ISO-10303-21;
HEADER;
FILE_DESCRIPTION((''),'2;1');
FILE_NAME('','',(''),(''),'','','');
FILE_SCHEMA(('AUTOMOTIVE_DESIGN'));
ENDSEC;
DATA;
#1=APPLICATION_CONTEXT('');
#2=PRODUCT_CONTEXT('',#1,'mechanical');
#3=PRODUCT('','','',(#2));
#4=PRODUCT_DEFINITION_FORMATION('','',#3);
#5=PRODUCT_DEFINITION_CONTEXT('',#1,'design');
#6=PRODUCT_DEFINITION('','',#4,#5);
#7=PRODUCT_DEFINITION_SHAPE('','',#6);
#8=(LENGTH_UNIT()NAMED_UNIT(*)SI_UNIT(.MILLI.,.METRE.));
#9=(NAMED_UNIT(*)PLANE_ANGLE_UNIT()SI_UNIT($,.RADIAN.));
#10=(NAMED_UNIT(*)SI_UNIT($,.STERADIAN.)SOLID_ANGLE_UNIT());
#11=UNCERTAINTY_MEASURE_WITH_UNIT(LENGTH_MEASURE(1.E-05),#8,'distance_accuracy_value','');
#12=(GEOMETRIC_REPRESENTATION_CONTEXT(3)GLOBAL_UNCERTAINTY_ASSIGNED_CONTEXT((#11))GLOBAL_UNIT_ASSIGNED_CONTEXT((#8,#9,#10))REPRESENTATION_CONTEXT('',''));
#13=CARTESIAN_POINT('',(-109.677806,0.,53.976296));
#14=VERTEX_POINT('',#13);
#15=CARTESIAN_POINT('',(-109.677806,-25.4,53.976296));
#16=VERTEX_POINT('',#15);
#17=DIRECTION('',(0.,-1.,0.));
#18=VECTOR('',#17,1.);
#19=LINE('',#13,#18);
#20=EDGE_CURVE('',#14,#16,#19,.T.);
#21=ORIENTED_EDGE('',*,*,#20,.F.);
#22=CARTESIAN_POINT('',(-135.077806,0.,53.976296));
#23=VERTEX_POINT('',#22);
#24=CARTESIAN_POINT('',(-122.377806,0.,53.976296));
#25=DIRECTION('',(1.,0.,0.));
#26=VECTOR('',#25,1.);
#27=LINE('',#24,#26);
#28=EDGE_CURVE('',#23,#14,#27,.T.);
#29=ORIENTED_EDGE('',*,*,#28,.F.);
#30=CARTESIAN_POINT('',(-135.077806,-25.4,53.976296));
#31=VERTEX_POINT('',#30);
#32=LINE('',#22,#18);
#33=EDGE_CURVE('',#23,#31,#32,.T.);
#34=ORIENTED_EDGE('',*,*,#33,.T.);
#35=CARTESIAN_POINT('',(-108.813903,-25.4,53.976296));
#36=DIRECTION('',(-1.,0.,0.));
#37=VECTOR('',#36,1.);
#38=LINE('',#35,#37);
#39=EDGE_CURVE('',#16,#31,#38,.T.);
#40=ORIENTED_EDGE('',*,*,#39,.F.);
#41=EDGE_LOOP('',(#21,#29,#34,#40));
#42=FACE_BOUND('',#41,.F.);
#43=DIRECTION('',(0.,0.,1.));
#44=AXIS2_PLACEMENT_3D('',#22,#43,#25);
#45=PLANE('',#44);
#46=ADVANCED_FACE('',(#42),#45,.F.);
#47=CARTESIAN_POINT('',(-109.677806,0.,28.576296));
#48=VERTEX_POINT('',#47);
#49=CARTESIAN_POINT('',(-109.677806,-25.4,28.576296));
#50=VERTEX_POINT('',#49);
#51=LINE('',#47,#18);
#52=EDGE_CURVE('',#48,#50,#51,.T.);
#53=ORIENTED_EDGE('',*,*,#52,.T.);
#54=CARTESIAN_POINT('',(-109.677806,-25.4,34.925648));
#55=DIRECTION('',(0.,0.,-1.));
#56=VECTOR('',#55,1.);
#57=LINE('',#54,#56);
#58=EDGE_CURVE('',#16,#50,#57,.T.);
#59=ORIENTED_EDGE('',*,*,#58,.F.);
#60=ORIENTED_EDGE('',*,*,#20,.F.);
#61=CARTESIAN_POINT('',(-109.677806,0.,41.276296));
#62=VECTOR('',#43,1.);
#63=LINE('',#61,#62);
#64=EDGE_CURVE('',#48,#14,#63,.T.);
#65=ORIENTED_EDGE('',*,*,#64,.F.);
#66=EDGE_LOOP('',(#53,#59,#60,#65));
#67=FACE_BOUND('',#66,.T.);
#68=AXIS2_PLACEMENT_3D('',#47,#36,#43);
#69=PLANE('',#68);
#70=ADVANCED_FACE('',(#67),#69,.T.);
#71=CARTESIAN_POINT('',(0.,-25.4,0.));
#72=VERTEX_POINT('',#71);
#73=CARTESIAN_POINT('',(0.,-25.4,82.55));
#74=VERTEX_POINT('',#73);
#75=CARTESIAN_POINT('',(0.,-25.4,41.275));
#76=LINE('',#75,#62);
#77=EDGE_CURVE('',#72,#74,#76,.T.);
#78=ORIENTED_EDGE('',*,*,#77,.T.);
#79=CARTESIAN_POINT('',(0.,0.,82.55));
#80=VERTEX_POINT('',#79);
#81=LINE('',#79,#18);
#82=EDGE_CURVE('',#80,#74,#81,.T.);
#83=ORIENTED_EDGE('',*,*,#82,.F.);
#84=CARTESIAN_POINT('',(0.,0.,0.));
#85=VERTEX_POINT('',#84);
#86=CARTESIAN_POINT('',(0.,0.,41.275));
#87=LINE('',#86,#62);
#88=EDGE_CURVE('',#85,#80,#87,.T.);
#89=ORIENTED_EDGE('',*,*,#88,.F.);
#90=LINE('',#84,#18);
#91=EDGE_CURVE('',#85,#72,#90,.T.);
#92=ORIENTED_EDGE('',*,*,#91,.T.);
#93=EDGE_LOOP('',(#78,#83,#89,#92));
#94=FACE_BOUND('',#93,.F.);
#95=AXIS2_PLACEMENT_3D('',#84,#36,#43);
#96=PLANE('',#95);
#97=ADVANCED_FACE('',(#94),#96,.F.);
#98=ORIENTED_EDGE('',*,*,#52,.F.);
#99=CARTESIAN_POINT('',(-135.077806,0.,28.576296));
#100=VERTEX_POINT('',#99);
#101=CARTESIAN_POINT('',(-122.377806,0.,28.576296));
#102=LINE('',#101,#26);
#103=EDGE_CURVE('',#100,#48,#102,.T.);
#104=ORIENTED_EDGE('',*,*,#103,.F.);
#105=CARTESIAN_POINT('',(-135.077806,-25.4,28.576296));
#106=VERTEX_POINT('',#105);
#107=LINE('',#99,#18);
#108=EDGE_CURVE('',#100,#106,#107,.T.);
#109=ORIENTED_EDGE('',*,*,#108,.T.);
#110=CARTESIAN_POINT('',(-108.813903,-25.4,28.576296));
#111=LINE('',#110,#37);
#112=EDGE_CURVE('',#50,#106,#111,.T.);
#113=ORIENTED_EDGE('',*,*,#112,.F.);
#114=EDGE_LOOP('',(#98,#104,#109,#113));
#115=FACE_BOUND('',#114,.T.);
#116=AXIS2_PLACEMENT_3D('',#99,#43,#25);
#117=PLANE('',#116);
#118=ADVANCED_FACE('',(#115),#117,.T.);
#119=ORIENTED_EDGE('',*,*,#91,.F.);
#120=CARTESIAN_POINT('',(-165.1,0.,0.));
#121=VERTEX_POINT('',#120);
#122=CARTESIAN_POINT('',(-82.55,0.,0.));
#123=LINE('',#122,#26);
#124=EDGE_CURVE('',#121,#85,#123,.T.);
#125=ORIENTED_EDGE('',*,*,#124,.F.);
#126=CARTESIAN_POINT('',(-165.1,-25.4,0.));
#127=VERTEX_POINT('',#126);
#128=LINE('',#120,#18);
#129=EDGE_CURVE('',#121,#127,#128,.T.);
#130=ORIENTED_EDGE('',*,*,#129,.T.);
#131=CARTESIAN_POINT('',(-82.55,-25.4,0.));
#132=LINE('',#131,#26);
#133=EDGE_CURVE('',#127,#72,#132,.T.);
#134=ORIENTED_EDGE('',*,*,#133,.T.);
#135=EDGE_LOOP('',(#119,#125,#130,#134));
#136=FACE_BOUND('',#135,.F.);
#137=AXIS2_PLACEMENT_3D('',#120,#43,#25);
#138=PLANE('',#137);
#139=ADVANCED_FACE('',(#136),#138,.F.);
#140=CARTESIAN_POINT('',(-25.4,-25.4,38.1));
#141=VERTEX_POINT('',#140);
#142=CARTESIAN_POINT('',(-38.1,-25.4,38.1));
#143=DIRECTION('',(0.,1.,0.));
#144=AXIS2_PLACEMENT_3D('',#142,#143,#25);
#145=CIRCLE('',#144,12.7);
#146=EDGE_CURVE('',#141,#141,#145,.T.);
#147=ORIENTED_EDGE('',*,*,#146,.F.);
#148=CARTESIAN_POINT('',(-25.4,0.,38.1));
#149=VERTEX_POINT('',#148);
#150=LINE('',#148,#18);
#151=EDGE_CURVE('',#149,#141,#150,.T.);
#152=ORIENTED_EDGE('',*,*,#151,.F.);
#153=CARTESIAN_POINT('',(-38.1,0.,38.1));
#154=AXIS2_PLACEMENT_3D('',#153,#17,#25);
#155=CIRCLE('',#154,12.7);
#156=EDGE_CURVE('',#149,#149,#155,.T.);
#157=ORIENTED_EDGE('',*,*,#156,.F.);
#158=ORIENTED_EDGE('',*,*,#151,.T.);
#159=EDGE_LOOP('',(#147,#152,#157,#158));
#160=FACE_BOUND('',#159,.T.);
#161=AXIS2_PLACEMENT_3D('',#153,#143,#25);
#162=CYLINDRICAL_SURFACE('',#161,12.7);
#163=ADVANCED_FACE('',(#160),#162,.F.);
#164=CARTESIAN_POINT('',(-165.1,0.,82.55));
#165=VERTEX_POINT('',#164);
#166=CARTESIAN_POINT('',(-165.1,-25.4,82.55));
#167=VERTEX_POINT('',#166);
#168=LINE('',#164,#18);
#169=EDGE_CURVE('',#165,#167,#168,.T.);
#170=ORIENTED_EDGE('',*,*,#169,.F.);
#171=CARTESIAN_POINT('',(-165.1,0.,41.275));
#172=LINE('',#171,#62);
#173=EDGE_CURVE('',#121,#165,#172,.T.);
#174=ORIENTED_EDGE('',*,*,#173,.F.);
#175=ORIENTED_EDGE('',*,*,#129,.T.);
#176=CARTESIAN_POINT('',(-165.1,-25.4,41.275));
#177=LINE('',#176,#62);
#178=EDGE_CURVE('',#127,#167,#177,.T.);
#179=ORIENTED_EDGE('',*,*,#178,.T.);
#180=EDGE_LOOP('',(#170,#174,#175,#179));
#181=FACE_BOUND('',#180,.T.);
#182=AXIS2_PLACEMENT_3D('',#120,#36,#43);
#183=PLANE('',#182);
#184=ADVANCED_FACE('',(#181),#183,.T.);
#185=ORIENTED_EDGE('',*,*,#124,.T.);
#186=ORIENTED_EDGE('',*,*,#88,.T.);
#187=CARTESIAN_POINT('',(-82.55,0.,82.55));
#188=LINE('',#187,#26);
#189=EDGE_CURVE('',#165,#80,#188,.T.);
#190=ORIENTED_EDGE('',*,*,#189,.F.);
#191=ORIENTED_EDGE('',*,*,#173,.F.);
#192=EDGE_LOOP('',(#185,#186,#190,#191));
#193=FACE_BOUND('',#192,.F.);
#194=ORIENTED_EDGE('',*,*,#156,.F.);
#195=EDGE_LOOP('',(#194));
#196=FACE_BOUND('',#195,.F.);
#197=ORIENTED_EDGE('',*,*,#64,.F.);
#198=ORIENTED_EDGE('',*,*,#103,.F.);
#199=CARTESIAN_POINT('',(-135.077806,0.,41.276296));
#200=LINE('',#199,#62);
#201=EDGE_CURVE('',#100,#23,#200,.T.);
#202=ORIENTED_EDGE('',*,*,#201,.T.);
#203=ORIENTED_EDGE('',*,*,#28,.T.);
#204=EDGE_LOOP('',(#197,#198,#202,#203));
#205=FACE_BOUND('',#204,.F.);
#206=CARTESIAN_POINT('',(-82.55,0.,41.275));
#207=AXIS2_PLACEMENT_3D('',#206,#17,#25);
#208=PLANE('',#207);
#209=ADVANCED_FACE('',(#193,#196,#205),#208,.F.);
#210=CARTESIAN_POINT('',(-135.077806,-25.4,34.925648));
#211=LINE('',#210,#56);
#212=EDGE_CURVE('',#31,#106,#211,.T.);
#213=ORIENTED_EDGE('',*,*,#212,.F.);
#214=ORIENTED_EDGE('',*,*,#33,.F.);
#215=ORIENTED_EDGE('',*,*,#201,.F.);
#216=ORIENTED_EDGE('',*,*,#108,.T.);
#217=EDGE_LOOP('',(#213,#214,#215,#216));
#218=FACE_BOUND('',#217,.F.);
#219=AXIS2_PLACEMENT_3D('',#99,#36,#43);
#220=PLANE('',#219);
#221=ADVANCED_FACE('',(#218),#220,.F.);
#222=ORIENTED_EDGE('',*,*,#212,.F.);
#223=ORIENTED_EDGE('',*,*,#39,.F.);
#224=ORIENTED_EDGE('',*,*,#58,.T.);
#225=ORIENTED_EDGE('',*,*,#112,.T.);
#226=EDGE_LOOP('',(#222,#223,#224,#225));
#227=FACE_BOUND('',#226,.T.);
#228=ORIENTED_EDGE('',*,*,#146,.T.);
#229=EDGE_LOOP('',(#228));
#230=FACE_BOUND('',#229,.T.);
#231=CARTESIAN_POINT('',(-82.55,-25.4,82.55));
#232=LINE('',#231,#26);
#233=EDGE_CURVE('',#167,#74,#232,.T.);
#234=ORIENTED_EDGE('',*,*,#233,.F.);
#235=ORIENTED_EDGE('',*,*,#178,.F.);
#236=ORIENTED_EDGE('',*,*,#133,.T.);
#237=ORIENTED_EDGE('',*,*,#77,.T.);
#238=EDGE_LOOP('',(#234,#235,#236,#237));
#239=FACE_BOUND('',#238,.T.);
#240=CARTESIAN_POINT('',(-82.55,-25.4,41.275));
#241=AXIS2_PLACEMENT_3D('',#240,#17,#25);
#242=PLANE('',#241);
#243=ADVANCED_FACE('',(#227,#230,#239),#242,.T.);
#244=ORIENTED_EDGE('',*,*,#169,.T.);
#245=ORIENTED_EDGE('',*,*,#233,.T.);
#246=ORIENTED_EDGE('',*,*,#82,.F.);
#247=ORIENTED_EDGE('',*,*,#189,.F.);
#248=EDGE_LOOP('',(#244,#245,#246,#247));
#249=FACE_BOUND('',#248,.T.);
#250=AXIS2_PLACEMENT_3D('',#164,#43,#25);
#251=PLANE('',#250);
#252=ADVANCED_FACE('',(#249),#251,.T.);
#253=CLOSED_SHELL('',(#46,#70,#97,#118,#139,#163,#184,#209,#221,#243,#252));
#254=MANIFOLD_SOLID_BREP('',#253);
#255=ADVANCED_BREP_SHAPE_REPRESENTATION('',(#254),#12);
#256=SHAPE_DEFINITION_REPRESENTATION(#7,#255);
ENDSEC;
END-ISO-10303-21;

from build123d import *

# Parameters (mm, degrees)
F0_W     = 165.1
F0_H     = 82.55
F3_DEPTH = 25.4
F1_W     = 25.4
F1_H     = 25.4
F4_DEPTH = 812.8
F2_R     = 12.7
F5_DEPTH = 1752.6


with BuildPart() as f3:
    # F0 (on Front) → F3 (new body)
    with BuildSketch(Plane.XZ):
        with Locations((-82.55, 41.275)):
            Rectangle(F0_W, F0_H)
    extrude(amount=F3_DEPTH)

    # F1 (on face) → F4 (cut)
    with BuildSketch(Plane.XZ):
        with Locations((-122.377806, 41.276296)):
            Rectangle(F1_W, F1_H)
    extrude(amount=F4_DEPTH, mode=Mode.SUBTRACT)

    # F2 (on face) → F5 (cut)
    with BuildSketch(Plane.XZ):
        with Locations((-38.1, 38.1)):
            Circle(F2_R)
    extrude(amount=F5_DEPTH, mode=Mode.SUBTRACT)


solid = f3.part
